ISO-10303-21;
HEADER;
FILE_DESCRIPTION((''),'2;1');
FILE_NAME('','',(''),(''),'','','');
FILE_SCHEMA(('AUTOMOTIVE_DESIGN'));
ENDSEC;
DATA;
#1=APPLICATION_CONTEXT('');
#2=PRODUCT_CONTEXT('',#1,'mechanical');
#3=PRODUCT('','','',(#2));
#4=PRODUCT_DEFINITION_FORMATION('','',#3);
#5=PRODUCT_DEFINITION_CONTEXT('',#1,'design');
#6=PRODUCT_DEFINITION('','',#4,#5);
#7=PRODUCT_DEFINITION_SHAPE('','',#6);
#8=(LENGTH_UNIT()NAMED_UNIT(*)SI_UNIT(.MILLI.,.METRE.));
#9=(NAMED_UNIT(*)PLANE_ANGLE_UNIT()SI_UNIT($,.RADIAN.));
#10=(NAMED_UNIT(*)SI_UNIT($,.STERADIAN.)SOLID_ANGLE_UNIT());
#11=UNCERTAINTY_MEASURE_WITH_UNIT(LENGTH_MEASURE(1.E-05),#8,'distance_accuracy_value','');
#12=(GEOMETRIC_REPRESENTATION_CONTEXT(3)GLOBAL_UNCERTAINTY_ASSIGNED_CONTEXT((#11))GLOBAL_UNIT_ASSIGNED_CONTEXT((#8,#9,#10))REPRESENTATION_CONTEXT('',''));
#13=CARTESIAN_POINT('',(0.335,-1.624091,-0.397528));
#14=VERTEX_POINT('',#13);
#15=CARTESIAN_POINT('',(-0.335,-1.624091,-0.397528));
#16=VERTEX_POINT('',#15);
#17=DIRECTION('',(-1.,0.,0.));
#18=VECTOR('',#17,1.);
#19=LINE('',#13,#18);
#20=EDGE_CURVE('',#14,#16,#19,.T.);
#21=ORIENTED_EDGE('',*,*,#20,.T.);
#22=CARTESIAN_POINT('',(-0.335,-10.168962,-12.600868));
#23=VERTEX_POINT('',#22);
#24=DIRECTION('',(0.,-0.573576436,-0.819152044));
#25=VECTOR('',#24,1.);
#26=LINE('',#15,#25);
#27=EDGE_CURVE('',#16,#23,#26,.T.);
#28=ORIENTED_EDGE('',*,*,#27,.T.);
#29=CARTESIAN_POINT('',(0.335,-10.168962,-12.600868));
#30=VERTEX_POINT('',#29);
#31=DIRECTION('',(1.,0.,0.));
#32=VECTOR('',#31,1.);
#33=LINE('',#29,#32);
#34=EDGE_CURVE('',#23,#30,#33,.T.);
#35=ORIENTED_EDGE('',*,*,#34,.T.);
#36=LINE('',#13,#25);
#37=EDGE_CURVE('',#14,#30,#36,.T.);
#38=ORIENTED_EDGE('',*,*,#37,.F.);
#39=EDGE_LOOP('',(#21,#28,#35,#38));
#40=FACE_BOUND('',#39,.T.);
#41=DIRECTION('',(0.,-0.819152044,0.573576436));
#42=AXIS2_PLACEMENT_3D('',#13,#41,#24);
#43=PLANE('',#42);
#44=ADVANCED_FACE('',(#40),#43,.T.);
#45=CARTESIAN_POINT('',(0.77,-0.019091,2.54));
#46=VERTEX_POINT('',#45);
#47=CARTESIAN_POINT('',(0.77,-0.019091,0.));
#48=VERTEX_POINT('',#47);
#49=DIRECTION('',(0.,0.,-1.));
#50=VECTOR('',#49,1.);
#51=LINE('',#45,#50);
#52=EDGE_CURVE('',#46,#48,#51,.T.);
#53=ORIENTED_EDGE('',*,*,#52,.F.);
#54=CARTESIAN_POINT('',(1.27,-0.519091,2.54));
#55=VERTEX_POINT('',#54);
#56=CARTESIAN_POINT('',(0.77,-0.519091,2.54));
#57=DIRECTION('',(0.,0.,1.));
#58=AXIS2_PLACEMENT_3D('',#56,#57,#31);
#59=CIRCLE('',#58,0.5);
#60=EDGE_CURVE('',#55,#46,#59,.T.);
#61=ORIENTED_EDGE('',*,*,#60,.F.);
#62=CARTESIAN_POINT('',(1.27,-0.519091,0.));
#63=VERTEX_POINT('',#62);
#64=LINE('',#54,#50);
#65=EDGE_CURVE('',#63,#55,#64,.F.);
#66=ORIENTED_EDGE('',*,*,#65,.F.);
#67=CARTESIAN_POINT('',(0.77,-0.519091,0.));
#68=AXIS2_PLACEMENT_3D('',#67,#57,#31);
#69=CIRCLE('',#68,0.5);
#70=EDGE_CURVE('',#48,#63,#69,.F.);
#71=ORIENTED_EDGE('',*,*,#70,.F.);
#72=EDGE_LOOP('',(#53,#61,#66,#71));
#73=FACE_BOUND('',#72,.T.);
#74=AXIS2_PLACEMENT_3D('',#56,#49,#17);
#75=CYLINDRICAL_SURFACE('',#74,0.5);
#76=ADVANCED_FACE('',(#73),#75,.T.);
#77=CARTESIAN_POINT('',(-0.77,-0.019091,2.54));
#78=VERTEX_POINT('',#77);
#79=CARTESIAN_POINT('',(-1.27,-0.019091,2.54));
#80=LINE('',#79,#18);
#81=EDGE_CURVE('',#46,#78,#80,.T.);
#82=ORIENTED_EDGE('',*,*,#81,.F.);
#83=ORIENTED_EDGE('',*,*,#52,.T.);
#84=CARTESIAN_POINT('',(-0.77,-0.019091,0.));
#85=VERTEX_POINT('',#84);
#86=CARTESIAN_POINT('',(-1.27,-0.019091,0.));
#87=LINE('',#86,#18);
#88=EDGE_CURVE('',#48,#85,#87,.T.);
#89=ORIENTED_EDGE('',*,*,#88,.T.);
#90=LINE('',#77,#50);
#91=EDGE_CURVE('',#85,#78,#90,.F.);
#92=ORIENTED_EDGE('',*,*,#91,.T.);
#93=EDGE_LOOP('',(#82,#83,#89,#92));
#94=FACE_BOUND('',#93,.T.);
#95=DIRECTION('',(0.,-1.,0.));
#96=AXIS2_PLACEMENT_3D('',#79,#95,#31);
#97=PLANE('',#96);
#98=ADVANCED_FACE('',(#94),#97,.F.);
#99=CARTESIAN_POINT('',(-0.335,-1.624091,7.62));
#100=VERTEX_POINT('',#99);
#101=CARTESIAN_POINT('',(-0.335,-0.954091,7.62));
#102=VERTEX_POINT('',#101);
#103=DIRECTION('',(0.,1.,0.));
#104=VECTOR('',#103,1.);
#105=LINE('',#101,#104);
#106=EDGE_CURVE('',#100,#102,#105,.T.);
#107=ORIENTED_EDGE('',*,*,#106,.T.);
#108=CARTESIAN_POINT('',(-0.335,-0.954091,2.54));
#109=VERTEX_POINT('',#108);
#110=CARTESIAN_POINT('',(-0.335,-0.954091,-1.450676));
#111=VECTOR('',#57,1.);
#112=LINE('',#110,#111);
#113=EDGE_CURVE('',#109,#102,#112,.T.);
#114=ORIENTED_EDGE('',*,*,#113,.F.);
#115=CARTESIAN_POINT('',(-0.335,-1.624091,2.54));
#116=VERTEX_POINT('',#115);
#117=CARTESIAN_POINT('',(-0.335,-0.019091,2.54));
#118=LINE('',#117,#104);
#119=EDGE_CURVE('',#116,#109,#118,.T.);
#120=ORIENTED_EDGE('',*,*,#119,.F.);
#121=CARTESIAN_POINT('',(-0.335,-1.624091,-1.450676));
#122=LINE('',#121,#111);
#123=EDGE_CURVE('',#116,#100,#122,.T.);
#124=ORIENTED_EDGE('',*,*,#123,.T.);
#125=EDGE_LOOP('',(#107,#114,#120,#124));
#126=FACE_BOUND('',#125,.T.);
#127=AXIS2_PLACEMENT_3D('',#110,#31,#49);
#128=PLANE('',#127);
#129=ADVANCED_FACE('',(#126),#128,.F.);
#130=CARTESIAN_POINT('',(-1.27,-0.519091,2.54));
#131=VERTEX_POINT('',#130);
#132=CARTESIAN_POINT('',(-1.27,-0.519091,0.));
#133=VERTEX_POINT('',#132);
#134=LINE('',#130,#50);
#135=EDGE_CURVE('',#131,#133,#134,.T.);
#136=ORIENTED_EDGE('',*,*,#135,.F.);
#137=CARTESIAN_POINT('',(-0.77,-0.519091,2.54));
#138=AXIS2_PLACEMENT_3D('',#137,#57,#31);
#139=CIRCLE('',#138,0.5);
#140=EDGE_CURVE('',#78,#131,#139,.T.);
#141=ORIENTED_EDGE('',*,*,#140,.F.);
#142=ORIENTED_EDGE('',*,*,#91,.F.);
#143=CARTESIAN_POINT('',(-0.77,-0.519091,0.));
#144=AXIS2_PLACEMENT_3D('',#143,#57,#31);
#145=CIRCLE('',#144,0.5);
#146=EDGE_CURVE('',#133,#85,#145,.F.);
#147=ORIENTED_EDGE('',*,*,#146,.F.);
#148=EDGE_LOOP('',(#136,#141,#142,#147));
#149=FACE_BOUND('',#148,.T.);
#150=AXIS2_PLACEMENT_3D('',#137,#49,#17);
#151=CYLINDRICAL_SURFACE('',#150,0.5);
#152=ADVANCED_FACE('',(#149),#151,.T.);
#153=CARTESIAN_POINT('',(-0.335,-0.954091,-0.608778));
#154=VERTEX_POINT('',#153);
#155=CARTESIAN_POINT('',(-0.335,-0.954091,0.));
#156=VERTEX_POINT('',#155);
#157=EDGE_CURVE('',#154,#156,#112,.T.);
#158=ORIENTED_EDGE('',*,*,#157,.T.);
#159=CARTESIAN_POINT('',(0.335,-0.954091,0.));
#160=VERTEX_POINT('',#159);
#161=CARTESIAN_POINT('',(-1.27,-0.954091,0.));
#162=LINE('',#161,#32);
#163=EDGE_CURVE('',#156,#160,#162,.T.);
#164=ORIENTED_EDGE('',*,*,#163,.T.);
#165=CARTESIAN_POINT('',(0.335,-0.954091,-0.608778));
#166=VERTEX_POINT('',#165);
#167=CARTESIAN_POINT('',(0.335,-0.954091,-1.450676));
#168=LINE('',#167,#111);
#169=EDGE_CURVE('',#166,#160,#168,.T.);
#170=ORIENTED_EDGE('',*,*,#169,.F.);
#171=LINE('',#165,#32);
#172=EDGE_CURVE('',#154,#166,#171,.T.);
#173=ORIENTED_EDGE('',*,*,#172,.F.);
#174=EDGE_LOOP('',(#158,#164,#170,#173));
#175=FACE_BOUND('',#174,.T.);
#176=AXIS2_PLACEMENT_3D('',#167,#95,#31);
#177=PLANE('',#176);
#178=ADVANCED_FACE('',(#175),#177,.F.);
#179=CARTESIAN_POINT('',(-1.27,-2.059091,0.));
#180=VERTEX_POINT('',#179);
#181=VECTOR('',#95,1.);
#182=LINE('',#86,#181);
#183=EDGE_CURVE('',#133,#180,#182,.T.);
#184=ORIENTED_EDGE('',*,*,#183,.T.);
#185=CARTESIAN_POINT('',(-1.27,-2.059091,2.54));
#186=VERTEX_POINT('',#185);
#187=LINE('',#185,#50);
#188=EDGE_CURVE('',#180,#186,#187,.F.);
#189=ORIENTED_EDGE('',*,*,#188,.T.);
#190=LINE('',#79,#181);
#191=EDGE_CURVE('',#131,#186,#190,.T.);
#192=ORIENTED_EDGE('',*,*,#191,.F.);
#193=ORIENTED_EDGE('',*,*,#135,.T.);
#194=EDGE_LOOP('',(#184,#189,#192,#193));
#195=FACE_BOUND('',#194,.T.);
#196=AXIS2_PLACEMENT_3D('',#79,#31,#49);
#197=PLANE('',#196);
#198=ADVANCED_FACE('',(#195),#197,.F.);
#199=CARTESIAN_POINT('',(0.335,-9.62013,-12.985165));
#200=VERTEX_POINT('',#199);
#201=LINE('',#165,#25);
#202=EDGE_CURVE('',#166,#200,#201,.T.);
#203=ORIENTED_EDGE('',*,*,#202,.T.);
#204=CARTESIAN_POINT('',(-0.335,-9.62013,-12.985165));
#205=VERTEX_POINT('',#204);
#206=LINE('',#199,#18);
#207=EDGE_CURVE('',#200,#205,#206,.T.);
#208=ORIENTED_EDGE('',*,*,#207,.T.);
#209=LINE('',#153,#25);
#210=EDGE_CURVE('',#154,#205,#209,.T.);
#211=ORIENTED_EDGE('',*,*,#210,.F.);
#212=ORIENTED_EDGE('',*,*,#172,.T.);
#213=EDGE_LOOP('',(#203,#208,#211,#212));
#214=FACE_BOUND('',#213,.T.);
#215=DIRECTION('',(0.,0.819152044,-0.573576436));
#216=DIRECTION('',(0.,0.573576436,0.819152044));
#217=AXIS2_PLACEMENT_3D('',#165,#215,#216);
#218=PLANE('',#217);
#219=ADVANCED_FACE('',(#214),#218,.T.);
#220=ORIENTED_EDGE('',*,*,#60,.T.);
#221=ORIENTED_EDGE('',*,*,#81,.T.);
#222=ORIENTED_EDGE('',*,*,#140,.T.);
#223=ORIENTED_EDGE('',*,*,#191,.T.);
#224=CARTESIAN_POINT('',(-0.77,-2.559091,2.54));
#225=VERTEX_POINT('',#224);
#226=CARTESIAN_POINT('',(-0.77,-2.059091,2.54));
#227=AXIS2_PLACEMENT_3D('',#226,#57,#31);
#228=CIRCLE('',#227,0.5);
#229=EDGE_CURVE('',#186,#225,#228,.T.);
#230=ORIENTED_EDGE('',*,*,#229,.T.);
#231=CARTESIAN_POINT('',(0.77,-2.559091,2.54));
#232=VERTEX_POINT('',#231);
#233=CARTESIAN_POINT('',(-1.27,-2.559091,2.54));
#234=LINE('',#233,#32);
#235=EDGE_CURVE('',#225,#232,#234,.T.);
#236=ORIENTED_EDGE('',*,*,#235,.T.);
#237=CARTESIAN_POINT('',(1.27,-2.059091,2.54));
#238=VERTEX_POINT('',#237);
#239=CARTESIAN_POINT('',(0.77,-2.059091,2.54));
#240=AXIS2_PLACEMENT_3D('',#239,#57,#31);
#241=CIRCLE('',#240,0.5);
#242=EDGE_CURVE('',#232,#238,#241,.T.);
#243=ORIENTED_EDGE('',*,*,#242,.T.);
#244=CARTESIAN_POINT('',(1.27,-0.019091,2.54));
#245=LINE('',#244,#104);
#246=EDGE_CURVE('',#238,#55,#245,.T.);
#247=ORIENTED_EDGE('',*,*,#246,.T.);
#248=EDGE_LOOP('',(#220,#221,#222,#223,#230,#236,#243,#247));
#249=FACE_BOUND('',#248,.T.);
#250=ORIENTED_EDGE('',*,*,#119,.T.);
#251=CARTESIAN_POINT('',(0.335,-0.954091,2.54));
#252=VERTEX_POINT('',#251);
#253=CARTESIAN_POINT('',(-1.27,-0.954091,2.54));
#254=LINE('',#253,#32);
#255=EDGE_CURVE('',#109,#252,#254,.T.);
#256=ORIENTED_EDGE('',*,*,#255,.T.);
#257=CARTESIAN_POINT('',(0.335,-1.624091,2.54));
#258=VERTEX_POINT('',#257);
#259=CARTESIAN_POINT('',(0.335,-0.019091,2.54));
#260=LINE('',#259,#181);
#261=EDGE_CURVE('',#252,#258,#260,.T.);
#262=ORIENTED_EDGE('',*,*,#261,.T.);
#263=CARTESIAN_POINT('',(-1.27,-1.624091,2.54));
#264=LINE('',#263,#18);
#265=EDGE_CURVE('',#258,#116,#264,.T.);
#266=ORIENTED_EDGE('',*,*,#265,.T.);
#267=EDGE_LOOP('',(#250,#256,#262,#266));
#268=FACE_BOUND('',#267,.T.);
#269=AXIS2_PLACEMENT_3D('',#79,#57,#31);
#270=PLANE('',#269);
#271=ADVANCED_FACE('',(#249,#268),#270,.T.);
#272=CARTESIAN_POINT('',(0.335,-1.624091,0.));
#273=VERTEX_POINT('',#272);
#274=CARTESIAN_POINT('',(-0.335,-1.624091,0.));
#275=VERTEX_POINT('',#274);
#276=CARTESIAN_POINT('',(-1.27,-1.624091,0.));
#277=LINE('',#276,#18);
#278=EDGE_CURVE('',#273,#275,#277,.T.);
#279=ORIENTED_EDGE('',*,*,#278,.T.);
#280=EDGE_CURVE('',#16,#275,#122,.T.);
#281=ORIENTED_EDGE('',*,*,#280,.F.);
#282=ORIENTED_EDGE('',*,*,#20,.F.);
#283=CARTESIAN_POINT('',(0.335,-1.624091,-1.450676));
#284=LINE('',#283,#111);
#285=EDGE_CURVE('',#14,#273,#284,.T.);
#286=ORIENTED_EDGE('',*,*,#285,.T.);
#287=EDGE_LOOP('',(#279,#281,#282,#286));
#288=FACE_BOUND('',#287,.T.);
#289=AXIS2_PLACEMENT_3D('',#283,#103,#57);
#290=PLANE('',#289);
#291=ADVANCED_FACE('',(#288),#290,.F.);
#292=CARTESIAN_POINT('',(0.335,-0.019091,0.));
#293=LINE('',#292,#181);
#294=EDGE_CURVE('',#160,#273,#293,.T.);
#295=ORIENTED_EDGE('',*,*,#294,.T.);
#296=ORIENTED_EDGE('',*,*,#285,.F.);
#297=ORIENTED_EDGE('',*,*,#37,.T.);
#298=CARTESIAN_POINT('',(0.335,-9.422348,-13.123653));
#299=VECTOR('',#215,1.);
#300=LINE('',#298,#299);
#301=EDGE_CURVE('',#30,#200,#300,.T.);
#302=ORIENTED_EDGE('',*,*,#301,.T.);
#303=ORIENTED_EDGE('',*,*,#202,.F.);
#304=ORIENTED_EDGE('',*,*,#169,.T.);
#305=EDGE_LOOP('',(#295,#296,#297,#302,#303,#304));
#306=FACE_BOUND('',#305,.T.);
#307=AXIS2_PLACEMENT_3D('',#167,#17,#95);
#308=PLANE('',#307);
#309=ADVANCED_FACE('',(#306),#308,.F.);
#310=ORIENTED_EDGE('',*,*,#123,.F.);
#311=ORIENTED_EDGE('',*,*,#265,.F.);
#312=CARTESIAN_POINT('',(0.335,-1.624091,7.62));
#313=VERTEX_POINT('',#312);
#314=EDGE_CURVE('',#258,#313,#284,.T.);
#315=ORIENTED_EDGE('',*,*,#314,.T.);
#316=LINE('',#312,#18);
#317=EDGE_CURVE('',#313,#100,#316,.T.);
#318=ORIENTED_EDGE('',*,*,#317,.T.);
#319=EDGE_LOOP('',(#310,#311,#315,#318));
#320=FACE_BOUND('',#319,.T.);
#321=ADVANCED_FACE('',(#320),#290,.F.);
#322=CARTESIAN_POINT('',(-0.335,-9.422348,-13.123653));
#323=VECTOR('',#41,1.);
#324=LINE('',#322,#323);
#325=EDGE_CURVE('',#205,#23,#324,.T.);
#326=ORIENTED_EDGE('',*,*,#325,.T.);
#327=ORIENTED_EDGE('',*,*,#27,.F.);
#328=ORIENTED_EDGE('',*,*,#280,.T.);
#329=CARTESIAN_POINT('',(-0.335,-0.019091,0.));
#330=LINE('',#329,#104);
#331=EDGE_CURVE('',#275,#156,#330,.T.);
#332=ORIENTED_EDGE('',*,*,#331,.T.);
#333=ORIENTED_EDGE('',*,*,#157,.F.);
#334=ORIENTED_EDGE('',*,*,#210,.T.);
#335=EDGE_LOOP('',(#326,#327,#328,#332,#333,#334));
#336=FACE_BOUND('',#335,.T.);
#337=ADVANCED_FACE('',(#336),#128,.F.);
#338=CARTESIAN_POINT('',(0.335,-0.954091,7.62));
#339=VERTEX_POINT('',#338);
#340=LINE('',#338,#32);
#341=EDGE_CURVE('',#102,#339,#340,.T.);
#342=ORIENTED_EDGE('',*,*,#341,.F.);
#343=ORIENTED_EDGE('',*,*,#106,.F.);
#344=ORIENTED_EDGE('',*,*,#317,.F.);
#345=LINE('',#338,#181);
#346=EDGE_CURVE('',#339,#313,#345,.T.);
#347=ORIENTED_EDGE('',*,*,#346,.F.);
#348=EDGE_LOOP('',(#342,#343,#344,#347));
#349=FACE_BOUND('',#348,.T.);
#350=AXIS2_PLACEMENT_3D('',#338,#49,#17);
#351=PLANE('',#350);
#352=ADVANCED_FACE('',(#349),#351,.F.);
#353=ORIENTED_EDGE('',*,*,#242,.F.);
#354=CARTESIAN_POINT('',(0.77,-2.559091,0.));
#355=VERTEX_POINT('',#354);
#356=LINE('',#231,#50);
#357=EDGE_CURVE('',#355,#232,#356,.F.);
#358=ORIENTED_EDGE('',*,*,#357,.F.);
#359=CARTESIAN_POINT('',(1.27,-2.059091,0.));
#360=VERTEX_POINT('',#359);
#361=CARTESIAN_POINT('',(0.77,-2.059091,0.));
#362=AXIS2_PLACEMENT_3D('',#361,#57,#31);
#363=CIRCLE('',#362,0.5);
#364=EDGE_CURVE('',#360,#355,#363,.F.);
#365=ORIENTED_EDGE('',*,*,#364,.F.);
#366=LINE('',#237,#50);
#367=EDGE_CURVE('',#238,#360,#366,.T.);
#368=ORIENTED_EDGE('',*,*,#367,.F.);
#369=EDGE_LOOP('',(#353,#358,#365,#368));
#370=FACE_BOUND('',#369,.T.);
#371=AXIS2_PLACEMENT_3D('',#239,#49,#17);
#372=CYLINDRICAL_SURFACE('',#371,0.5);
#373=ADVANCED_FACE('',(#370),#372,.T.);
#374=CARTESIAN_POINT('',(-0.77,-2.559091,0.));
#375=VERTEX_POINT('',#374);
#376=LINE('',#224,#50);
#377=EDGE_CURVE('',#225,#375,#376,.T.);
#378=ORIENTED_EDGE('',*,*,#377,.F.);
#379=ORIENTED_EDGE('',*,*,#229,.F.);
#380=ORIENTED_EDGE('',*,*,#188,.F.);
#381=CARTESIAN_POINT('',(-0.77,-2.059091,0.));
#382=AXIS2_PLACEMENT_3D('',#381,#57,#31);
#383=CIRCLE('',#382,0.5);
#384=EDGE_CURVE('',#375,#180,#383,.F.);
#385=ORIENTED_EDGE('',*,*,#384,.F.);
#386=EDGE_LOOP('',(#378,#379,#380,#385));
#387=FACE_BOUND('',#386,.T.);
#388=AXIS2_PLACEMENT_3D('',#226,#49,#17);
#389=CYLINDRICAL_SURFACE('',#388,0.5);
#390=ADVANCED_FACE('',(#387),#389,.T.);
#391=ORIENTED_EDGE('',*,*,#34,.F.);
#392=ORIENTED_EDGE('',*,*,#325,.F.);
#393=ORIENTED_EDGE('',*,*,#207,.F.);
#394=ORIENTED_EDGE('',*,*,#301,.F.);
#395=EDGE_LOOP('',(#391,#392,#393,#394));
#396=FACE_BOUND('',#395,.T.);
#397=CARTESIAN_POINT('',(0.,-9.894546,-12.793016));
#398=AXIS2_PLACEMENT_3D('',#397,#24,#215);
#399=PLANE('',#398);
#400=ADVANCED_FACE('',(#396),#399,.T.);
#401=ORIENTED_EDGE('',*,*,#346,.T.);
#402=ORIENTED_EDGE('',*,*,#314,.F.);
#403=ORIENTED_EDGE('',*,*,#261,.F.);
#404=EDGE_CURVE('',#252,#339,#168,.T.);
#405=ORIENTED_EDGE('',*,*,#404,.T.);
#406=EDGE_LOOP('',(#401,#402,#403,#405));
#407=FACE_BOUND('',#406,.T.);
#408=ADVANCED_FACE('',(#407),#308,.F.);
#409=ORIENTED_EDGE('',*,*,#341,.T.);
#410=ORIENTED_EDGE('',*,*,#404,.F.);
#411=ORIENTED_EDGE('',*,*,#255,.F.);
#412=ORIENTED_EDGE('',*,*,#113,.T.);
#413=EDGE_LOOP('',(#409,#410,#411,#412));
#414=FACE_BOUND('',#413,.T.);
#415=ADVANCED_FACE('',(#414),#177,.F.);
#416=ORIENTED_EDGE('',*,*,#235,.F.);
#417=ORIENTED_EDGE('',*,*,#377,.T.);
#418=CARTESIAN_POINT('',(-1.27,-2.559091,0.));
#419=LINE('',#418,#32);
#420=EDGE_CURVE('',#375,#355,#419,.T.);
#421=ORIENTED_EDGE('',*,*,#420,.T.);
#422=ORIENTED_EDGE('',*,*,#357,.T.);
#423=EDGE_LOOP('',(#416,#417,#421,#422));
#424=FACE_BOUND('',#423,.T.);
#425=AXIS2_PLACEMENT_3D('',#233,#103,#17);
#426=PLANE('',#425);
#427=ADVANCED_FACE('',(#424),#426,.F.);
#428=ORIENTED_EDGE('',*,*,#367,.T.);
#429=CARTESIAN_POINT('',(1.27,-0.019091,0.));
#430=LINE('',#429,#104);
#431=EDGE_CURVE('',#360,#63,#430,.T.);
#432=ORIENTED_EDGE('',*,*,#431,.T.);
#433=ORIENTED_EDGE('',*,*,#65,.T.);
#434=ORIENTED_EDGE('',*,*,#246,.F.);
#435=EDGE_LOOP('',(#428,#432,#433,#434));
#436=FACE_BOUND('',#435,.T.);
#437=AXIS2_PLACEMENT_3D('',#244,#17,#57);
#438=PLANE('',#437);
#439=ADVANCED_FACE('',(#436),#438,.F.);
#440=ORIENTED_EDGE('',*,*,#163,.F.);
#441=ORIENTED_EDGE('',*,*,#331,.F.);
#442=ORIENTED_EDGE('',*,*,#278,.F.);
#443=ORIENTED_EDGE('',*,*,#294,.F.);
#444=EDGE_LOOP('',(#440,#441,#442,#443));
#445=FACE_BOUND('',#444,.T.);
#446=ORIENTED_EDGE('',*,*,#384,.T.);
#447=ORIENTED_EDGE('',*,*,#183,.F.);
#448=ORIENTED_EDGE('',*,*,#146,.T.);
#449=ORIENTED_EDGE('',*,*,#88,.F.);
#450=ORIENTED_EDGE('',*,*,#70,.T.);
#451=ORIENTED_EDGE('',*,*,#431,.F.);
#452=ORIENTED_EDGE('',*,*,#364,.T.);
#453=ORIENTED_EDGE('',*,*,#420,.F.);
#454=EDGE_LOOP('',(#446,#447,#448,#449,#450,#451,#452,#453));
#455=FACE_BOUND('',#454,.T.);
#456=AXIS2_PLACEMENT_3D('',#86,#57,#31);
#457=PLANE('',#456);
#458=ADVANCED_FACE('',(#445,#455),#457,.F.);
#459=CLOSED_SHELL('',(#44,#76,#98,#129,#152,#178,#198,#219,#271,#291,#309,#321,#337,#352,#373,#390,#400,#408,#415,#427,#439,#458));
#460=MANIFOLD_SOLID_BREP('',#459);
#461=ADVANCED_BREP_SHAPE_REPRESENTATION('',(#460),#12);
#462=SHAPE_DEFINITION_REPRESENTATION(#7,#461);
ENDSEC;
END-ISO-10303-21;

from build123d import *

# Parameters (mm, degrees)
SKETCH_1_W      = 2.54
SKETCH_1_H      = 2.54
EXTRUDE_1_DEPTH = 2.54
SKETCH_2_W      = 0.67
SKETCH_2_H      = 0.67
FILLET_1_R      = 0.5


with BuildPart() as part:
    # 草图1 → 拉伸1 (new body)
    with BuildSketch(Plane.XY):
        with Locations((0, -1.289090726)):
            Rectangle(SKETCH_1_W, SKETCH_1_H)
    extrude(amount=EXTRUDE_1_DEPTH)

    # 扫描1: sweep along a path in 草图3
    with BuildLine(Plane(origin=(0, 0, 0), x_dir=(0, 0, -1), z_dir=(1, 0, 0))) as sweep_1_path:
        Line((-7.62, -1.299090726), (0.5, -1.299090726))
        Line((0.5, -1.299090726), (12.787280664, -9.902737271))
    # 草图2 → 扫描1 (sweep)
    with BuildSketch(Plane(origin=(0, 0, 7.62), x_dir=(-1, 0, 0), z_dir=(0, 0, -1))):
        with Locations((0, -1.289090726)):
            Rectangle(SKETCH_2_W, SKETCH_2_H)
    sweep(path=sweep_1_path.line, transition=Transition.RIGHT)

    # 圆角1
    fillet_1_edges = [part.edges().sort_by_distance(p)[0] for p in [
        (-1.27, -0.019090726, 1.27),
        (1.27, -0.019090726, 1.27),
        (1.27, -2.559090726, 1.27),
        (-1.27, -2.559090726, 1.27),
    ]]
    fillet(fillet_1_edges, radius=FILLET_1_R)


solid = part.part
